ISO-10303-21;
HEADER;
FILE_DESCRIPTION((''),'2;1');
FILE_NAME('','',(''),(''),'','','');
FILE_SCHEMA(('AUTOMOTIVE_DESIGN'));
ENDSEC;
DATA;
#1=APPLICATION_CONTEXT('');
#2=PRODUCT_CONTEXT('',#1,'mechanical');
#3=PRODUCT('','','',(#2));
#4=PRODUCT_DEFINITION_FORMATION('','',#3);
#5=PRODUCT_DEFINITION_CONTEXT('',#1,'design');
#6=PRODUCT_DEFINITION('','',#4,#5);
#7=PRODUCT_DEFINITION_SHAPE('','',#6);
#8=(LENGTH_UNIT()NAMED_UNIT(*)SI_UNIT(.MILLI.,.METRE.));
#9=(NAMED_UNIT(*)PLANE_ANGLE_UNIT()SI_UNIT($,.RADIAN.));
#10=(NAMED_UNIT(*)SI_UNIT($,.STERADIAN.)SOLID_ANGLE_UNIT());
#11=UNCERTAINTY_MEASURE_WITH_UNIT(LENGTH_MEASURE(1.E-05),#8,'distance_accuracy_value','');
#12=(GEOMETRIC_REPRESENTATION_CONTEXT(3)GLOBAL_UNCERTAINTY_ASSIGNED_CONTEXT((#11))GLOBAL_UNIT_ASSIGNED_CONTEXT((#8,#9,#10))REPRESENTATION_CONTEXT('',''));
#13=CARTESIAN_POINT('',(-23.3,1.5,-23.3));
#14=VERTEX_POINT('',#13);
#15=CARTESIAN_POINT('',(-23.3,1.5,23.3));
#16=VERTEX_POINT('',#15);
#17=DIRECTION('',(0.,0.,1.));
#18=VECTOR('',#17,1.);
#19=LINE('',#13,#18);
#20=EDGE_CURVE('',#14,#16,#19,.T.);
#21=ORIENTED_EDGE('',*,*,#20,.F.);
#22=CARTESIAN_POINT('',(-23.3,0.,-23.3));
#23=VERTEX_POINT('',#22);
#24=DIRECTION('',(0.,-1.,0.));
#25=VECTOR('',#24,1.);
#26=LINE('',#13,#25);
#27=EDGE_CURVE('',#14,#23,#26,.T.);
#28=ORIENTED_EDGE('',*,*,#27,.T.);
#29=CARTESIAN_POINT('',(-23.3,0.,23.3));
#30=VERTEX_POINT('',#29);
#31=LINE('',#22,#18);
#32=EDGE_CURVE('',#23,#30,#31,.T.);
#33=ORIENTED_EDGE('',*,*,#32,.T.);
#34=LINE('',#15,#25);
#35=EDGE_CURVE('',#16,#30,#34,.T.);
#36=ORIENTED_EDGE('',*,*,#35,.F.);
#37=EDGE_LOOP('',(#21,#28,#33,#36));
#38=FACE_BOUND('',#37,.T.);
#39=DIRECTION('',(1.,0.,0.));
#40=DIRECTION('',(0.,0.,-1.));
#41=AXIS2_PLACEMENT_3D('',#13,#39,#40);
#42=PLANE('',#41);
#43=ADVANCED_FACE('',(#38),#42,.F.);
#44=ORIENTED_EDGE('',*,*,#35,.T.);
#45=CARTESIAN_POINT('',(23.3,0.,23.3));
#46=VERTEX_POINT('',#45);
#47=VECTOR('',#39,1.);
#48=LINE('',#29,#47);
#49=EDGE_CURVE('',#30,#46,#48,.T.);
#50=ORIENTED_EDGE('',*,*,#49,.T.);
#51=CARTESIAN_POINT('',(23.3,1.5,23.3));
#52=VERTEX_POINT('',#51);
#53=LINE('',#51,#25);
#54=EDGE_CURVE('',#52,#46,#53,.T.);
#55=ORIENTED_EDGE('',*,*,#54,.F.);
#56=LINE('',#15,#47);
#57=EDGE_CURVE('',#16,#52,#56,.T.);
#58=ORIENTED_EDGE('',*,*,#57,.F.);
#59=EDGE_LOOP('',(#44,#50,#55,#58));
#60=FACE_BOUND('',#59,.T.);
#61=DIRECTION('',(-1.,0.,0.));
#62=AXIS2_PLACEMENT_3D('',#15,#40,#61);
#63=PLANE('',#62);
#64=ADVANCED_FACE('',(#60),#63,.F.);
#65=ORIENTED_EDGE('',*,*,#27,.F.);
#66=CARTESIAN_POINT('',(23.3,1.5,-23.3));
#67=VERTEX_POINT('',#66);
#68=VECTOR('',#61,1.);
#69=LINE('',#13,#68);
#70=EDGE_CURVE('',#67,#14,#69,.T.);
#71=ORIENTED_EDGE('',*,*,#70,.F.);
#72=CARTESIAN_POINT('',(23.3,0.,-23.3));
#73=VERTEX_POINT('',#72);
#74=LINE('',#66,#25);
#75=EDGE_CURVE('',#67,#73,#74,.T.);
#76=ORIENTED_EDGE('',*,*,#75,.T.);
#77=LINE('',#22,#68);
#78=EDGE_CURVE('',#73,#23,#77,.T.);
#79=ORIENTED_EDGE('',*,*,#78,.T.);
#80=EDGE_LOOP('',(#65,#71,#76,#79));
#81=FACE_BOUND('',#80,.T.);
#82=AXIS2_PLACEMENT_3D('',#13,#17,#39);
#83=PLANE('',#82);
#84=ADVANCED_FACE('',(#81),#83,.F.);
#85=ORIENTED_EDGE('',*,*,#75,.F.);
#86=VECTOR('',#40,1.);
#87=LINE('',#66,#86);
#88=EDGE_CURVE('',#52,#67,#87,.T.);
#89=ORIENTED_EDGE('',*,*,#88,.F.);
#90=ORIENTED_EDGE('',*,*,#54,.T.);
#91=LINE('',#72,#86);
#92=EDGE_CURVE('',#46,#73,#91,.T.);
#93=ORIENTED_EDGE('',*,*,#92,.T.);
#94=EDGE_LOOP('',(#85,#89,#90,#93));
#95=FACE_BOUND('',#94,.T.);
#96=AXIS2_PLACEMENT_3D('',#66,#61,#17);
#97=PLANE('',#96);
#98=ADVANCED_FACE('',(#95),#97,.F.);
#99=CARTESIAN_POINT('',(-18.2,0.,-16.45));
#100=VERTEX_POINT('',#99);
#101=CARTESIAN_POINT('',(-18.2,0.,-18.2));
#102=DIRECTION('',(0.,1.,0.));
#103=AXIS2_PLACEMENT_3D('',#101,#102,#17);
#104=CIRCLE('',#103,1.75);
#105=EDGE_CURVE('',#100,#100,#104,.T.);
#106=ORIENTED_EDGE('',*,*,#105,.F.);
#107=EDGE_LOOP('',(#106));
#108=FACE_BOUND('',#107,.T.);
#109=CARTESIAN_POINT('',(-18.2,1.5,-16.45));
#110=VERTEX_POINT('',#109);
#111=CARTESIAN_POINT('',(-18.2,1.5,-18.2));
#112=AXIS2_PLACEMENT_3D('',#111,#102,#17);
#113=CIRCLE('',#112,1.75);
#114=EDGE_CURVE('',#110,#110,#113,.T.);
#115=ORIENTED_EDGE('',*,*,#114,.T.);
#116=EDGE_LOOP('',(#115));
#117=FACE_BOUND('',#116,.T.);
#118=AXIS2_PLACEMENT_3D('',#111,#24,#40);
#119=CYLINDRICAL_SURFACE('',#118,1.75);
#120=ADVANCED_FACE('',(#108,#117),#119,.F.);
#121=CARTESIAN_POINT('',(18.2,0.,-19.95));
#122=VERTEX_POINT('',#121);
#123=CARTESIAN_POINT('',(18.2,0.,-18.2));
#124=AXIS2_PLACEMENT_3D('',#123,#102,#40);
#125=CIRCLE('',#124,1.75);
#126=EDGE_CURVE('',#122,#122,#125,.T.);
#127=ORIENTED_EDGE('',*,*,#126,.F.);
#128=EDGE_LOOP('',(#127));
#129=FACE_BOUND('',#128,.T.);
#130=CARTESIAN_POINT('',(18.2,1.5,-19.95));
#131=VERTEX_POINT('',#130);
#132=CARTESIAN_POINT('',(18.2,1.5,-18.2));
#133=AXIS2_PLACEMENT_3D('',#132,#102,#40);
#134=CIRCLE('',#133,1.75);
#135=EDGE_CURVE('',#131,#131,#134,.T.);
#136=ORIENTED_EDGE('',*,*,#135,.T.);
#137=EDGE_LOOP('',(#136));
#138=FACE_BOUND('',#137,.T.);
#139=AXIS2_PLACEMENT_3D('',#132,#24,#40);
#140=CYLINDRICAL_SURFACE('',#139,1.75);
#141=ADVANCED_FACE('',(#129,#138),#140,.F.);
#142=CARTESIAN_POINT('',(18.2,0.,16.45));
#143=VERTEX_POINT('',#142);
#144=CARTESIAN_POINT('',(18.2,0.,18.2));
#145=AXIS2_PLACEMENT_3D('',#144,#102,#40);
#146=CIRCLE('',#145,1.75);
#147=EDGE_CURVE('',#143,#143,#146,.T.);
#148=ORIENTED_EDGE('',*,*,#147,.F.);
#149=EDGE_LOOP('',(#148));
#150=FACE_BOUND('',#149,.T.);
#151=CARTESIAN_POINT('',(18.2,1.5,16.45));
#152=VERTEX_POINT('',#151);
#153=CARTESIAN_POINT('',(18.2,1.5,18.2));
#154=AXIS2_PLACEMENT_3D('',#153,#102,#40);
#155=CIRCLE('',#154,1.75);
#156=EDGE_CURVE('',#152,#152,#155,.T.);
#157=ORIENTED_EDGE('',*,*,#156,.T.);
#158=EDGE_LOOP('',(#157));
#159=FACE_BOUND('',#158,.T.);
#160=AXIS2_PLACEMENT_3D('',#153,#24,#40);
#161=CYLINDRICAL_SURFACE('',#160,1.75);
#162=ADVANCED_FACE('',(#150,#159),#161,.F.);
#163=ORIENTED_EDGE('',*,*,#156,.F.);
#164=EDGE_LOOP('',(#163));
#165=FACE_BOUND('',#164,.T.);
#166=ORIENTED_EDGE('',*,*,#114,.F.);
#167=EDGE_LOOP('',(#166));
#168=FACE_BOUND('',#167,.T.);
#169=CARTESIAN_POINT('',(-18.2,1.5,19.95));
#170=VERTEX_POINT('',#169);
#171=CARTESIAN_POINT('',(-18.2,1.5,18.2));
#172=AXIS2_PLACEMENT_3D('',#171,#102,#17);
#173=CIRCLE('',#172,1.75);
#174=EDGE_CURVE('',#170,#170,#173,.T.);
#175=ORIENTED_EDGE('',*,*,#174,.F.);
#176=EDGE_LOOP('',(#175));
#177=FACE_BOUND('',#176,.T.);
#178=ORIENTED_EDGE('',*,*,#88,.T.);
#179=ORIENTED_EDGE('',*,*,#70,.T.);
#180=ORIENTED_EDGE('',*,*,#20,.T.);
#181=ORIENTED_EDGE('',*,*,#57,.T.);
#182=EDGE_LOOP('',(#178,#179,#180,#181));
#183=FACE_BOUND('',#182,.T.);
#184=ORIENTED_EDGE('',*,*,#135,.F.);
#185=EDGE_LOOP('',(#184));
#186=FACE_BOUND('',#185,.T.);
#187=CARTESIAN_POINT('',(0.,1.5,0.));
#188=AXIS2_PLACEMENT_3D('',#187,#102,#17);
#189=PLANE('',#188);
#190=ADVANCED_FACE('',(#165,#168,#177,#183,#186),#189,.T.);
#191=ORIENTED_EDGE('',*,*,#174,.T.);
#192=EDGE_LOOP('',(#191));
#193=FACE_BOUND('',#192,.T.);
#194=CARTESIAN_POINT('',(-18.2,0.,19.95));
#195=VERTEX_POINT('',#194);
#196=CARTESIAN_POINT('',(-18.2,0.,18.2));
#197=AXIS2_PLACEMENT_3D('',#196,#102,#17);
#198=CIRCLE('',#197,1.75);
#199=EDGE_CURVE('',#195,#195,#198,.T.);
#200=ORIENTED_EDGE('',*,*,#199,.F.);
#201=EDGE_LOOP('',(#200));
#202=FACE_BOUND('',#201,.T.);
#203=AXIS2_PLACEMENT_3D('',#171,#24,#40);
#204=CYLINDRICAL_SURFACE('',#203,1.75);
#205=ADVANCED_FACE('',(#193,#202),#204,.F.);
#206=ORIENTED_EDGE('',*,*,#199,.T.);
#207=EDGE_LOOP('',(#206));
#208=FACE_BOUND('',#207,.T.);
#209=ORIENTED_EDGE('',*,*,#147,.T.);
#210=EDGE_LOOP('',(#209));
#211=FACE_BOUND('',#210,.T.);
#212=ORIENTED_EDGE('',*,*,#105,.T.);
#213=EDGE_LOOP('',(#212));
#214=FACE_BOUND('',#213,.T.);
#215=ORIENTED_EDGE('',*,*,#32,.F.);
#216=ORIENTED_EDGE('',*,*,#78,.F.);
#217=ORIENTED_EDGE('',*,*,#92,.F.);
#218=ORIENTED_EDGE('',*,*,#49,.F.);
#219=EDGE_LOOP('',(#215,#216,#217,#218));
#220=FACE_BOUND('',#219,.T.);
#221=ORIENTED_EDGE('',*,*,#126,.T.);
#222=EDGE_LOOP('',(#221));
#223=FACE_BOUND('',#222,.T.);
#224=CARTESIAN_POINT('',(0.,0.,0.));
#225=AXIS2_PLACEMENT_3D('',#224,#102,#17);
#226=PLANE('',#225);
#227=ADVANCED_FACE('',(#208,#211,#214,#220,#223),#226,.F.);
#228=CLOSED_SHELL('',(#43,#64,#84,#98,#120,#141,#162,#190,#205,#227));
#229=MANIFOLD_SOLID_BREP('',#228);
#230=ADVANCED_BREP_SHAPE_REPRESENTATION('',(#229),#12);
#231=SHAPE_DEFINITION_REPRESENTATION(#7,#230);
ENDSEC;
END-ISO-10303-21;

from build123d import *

# Parameters (mm, degrees)
SKETCH1_W           = 46.6
SKETCH1_H           = 46.6
SKETCH1_R           = 1.75
BOSS_EXTRUDE1_DEPTH = 1.5


with BuildPart() as part:
    # Sketch1 → Boss-Extrude1 (new body)
    with BuildSketch(Plane(origin=(0, 0, 0), x_dir=(1, 0, 0), z_dir=(0, 1, 0))):
        Rectangle(SKETCH1_W, SKETCH1_H)
        with Locations(Location((-18.2, 18.2, 0), (0, 0, 270))):
            Circle(SKETCH1_R, mode=Mode.SUBTRACT)
        with Locations(Location((-18.2, -18.2, 0), (0, 0, 270))):
            Circle(SKETCH1_R, mode=Mode.SUBTRACT)
        with Locations(Location((18.2, -18.2, 0), (0, 0, 90))):
            Circle(SKETCH1_R, mode=Mode.SUBTRACT)
        with Locations(Location((18.2, 18.2, 0), (0, 0, 90))):
            Circle(SKETCH1_R, mode=Mode.SUBTRACT)
    extrude(amount=BOSS_EXTRUDE1_DEPTH)


solid = part.part
